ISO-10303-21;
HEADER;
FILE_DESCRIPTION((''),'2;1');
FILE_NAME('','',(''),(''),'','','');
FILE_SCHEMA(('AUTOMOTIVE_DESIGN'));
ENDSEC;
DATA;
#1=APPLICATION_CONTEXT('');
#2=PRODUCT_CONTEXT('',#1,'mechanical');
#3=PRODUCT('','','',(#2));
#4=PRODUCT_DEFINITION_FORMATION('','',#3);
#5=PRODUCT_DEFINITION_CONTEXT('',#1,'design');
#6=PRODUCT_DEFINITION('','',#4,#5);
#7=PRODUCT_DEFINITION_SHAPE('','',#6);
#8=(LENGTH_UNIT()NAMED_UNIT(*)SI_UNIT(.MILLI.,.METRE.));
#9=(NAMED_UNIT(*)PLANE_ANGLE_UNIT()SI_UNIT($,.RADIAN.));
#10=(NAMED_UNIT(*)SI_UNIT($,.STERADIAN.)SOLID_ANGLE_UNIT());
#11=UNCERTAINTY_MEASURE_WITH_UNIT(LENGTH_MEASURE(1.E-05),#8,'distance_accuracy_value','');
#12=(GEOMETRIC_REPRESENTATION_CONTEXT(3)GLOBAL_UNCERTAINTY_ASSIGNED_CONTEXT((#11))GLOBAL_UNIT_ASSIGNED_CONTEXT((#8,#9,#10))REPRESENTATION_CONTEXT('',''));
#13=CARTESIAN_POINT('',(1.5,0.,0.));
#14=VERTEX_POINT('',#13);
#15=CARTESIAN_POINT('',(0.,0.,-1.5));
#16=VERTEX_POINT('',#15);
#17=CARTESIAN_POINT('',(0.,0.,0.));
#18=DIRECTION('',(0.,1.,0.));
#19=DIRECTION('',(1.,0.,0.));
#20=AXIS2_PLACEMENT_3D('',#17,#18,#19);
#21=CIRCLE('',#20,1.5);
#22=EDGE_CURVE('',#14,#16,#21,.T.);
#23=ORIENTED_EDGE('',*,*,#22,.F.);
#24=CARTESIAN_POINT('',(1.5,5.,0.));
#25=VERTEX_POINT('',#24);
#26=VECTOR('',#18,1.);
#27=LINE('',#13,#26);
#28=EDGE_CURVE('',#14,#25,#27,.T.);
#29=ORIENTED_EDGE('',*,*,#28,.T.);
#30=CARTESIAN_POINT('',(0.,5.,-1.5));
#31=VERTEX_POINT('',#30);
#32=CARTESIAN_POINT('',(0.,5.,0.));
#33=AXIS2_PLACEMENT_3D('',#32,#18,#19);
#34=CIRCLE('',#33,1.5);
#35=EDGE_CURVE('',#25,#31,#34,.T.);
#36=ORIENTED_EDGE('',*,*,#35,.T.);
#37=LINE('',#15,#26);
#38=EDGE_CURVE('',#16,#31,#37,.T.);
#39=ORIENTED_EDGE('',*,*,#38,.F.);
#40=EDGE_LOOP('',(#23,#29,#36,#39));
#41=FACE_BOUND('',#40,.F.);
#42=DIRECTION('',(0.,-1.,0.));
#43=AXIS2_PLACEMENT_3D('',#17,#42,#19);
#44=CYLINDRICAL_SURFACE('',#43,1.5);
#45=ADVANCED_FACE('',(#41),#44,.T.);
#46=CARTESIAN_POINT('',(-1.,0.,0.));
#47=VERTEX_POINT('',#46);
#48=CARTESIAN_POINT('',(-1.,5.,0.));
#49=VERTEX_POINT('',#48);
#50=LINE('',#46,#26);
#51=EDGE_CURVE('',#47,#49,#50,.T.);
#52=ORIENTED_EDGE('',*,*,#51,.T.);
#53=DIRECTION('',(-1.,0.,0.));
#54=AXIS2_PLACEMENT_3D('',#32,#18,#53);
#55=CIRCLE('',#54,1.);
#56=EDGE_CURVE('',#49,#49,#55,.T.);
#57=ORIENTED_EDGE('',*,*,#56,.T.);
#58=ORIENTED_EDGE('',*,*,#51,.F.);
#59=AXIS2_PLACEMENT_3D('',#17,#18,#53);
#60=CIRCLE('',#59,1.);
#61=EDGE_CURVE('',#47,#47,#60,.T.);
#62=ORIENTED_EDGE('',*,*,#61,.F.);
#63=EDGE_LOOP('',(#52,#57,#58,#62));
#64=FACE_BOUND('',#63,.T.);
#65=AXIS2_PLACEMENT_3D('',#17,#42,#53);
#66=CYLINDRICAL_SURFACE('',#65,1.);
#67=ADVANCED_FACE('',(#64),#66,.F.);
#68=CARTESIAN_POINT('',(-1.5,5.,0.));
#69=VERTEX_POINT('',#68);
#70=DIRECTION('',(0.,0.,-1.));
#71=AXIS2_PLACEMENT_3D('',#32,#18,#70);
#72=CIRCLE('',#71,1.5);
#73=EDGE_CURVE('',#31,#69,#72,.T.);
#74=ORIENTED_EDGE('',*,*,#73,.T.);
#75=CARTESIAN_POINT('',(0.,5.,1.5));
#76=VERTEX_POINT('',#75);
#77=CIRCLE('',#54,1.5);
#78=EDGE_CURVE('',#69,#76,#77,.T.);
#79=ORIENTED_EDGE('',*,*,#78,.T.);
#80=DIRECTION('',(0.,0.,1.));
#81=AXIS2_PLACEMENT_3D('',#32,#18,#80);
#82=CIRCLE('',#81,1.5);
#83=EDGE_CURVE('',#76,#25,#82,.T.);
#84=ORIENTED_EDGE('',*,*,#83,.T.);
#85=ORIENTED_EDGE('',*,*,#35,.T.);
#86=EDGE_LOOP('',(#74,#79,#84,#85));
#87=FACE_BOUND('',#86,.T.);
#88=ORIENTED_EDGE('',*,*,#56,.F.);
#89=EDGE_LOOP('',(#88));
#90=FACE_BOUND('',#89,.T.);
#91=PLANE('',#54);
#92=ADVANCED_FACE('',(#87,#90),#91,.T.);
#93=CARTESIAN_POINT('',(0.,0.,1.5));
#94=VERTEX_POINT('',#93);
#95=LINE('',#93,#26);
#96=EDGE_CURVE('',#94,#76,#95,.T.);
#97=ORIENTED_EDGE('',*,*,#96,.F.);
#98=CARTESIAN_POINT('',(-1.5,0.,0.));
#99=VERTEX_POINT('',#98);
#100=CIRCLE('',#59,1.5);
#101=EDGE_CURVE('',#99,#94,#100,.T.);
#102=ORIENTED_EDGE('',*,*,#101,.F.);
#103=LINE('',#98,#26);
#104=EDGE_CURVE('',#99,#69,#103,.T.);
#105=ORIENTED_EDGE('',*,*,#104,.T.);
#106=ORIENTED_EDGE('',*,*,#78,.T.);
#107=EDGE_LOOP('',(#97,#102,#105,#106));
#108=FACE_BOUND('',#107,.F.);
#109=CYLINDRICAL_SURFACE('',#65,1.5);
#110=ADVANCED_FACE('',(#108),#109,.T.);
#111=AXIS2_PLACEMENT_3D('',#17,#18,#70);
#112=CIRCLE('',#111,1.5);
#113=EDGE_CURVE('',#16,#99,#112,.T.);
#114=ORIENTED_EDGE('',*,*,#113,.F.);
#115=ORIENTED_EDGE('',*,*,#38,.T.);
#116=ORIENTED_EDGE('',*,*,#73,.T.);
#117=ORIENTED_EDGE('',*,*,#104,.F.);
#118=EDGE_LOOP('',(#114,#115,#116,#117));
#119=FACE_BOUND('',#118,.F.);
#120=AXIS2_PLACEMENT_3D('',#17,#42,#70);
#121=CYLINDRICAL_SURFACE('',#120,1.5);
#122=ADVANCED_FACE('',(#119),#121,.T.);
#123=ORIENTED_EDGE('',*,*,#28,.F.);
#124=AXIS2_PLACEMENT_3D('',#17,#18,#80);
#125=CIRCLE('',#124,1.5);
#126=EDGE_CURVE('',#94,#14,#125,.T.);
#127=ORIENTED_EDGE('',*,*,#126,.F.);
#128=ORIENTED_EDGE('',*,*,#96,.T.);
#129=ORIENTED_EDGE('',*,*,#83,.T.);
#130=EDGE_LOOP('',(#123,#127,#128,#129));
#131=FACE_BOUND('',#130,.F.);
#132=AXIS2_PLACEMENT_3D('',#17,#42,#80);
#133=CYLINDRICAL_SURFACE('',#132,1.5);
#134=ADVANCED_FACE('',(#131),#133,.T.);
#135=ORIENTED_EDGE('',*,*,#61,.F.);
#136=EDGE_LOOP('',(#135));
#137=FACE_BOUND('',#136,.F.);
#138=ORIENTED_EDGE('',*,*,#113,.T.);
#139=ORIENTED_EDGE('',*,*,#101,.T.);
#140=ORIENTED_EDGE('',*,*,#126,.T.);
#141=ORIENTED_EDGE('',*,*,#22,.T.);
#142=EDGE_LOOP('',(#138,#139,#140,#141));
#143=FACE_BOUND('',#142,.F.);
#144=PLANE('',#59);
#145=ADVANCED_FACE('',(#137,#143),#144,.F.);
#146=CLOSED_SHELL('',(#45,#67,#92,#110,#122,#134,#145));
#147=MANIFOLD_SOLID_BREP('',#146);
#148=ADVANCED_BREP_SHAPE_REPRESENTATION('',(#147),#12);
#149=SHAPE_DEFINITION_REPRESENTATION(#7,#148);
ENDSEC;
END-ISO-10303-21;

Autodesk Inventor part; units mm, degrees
ref_plane "YZ Plane" through (0, 0, 0) normal (1, 0, 0) x (0, 1, 0)
ref_plane "XZ Plane" through (0, 0, 0) normal (0, 1, 0) x (-1, 0, 0)
ref_plane "XY Plane" through (0, 0, 0) normal (0, 0, 1) x (1, 0, 0)
sketch "Sketch1" plane through (0, 0, 0) normal (0, 1, 0) x (-1, 0, 0)
  line L0 (3.5364, -1.5) -> (3.5, -1.5)
  line L1 (1.5, 3.5) -> (1.5, 3.5)
  line L2 (3.5, 1.5) -> (3.5, 1.5)
  line L3 (-1.5, 3.5) -> (-1.5, 3.5364)
  line L4 (-1.5, -1.5) -> (1.5, 1.5) construction
  line L5 (1.5, -1.5) -> (-1.5, 1.5) construction
  circle A0 centre (0, 0) radius 1
  line L6 (0, 1.5) -> (0, 1.5)
  line L7 (1.5, 0) -> (1.5, 0)
  line L8 (0, -1.5) -> (0, -1.5)
  line L9 (-1.5, 0) -> (-1.5, 0)
  arc A1 (0, 1.5) -> (-1.5, 0) centre (0, 0) ccw
  arc A2 (-1.5, 0) -> (0, -1.5) centre (0, 0) ccw
  arc A3 (0, -1.5) -> (1.5, 0) centre (0, 0) ccw
  arc A4 (1.5, 0) -> (0, 1.5) centre (0, 0) ccw
  point P0 (-1.5, 0)
  dimension "d46" = 2
  dimension "d48" = 3
  dimension "d49" = 3
  dimension "d50" = 1.5
extrude "Extrusion1" add sketch "Sketch1" along normal blind 5
equation "\"BendRadius\" = Thickness"
equation "\"BendReliefWidth\" = Thickness"
equation "\"BendReliefDepth\" = 0.5 * Thickness"
equation "\"CornerReliefSize\" = 4 * Thickness"
equation "\"MinimumRemnant\" = 2 * Thickness"
equation "\"TransitionRadius\" = BendRadius"
equation "\"JacobiRadiusSize\" = BendRadius"
equation "\"GapSize\" = Thickness"
equation "\"Thickness\" = 3.048"
properties part number "base"
